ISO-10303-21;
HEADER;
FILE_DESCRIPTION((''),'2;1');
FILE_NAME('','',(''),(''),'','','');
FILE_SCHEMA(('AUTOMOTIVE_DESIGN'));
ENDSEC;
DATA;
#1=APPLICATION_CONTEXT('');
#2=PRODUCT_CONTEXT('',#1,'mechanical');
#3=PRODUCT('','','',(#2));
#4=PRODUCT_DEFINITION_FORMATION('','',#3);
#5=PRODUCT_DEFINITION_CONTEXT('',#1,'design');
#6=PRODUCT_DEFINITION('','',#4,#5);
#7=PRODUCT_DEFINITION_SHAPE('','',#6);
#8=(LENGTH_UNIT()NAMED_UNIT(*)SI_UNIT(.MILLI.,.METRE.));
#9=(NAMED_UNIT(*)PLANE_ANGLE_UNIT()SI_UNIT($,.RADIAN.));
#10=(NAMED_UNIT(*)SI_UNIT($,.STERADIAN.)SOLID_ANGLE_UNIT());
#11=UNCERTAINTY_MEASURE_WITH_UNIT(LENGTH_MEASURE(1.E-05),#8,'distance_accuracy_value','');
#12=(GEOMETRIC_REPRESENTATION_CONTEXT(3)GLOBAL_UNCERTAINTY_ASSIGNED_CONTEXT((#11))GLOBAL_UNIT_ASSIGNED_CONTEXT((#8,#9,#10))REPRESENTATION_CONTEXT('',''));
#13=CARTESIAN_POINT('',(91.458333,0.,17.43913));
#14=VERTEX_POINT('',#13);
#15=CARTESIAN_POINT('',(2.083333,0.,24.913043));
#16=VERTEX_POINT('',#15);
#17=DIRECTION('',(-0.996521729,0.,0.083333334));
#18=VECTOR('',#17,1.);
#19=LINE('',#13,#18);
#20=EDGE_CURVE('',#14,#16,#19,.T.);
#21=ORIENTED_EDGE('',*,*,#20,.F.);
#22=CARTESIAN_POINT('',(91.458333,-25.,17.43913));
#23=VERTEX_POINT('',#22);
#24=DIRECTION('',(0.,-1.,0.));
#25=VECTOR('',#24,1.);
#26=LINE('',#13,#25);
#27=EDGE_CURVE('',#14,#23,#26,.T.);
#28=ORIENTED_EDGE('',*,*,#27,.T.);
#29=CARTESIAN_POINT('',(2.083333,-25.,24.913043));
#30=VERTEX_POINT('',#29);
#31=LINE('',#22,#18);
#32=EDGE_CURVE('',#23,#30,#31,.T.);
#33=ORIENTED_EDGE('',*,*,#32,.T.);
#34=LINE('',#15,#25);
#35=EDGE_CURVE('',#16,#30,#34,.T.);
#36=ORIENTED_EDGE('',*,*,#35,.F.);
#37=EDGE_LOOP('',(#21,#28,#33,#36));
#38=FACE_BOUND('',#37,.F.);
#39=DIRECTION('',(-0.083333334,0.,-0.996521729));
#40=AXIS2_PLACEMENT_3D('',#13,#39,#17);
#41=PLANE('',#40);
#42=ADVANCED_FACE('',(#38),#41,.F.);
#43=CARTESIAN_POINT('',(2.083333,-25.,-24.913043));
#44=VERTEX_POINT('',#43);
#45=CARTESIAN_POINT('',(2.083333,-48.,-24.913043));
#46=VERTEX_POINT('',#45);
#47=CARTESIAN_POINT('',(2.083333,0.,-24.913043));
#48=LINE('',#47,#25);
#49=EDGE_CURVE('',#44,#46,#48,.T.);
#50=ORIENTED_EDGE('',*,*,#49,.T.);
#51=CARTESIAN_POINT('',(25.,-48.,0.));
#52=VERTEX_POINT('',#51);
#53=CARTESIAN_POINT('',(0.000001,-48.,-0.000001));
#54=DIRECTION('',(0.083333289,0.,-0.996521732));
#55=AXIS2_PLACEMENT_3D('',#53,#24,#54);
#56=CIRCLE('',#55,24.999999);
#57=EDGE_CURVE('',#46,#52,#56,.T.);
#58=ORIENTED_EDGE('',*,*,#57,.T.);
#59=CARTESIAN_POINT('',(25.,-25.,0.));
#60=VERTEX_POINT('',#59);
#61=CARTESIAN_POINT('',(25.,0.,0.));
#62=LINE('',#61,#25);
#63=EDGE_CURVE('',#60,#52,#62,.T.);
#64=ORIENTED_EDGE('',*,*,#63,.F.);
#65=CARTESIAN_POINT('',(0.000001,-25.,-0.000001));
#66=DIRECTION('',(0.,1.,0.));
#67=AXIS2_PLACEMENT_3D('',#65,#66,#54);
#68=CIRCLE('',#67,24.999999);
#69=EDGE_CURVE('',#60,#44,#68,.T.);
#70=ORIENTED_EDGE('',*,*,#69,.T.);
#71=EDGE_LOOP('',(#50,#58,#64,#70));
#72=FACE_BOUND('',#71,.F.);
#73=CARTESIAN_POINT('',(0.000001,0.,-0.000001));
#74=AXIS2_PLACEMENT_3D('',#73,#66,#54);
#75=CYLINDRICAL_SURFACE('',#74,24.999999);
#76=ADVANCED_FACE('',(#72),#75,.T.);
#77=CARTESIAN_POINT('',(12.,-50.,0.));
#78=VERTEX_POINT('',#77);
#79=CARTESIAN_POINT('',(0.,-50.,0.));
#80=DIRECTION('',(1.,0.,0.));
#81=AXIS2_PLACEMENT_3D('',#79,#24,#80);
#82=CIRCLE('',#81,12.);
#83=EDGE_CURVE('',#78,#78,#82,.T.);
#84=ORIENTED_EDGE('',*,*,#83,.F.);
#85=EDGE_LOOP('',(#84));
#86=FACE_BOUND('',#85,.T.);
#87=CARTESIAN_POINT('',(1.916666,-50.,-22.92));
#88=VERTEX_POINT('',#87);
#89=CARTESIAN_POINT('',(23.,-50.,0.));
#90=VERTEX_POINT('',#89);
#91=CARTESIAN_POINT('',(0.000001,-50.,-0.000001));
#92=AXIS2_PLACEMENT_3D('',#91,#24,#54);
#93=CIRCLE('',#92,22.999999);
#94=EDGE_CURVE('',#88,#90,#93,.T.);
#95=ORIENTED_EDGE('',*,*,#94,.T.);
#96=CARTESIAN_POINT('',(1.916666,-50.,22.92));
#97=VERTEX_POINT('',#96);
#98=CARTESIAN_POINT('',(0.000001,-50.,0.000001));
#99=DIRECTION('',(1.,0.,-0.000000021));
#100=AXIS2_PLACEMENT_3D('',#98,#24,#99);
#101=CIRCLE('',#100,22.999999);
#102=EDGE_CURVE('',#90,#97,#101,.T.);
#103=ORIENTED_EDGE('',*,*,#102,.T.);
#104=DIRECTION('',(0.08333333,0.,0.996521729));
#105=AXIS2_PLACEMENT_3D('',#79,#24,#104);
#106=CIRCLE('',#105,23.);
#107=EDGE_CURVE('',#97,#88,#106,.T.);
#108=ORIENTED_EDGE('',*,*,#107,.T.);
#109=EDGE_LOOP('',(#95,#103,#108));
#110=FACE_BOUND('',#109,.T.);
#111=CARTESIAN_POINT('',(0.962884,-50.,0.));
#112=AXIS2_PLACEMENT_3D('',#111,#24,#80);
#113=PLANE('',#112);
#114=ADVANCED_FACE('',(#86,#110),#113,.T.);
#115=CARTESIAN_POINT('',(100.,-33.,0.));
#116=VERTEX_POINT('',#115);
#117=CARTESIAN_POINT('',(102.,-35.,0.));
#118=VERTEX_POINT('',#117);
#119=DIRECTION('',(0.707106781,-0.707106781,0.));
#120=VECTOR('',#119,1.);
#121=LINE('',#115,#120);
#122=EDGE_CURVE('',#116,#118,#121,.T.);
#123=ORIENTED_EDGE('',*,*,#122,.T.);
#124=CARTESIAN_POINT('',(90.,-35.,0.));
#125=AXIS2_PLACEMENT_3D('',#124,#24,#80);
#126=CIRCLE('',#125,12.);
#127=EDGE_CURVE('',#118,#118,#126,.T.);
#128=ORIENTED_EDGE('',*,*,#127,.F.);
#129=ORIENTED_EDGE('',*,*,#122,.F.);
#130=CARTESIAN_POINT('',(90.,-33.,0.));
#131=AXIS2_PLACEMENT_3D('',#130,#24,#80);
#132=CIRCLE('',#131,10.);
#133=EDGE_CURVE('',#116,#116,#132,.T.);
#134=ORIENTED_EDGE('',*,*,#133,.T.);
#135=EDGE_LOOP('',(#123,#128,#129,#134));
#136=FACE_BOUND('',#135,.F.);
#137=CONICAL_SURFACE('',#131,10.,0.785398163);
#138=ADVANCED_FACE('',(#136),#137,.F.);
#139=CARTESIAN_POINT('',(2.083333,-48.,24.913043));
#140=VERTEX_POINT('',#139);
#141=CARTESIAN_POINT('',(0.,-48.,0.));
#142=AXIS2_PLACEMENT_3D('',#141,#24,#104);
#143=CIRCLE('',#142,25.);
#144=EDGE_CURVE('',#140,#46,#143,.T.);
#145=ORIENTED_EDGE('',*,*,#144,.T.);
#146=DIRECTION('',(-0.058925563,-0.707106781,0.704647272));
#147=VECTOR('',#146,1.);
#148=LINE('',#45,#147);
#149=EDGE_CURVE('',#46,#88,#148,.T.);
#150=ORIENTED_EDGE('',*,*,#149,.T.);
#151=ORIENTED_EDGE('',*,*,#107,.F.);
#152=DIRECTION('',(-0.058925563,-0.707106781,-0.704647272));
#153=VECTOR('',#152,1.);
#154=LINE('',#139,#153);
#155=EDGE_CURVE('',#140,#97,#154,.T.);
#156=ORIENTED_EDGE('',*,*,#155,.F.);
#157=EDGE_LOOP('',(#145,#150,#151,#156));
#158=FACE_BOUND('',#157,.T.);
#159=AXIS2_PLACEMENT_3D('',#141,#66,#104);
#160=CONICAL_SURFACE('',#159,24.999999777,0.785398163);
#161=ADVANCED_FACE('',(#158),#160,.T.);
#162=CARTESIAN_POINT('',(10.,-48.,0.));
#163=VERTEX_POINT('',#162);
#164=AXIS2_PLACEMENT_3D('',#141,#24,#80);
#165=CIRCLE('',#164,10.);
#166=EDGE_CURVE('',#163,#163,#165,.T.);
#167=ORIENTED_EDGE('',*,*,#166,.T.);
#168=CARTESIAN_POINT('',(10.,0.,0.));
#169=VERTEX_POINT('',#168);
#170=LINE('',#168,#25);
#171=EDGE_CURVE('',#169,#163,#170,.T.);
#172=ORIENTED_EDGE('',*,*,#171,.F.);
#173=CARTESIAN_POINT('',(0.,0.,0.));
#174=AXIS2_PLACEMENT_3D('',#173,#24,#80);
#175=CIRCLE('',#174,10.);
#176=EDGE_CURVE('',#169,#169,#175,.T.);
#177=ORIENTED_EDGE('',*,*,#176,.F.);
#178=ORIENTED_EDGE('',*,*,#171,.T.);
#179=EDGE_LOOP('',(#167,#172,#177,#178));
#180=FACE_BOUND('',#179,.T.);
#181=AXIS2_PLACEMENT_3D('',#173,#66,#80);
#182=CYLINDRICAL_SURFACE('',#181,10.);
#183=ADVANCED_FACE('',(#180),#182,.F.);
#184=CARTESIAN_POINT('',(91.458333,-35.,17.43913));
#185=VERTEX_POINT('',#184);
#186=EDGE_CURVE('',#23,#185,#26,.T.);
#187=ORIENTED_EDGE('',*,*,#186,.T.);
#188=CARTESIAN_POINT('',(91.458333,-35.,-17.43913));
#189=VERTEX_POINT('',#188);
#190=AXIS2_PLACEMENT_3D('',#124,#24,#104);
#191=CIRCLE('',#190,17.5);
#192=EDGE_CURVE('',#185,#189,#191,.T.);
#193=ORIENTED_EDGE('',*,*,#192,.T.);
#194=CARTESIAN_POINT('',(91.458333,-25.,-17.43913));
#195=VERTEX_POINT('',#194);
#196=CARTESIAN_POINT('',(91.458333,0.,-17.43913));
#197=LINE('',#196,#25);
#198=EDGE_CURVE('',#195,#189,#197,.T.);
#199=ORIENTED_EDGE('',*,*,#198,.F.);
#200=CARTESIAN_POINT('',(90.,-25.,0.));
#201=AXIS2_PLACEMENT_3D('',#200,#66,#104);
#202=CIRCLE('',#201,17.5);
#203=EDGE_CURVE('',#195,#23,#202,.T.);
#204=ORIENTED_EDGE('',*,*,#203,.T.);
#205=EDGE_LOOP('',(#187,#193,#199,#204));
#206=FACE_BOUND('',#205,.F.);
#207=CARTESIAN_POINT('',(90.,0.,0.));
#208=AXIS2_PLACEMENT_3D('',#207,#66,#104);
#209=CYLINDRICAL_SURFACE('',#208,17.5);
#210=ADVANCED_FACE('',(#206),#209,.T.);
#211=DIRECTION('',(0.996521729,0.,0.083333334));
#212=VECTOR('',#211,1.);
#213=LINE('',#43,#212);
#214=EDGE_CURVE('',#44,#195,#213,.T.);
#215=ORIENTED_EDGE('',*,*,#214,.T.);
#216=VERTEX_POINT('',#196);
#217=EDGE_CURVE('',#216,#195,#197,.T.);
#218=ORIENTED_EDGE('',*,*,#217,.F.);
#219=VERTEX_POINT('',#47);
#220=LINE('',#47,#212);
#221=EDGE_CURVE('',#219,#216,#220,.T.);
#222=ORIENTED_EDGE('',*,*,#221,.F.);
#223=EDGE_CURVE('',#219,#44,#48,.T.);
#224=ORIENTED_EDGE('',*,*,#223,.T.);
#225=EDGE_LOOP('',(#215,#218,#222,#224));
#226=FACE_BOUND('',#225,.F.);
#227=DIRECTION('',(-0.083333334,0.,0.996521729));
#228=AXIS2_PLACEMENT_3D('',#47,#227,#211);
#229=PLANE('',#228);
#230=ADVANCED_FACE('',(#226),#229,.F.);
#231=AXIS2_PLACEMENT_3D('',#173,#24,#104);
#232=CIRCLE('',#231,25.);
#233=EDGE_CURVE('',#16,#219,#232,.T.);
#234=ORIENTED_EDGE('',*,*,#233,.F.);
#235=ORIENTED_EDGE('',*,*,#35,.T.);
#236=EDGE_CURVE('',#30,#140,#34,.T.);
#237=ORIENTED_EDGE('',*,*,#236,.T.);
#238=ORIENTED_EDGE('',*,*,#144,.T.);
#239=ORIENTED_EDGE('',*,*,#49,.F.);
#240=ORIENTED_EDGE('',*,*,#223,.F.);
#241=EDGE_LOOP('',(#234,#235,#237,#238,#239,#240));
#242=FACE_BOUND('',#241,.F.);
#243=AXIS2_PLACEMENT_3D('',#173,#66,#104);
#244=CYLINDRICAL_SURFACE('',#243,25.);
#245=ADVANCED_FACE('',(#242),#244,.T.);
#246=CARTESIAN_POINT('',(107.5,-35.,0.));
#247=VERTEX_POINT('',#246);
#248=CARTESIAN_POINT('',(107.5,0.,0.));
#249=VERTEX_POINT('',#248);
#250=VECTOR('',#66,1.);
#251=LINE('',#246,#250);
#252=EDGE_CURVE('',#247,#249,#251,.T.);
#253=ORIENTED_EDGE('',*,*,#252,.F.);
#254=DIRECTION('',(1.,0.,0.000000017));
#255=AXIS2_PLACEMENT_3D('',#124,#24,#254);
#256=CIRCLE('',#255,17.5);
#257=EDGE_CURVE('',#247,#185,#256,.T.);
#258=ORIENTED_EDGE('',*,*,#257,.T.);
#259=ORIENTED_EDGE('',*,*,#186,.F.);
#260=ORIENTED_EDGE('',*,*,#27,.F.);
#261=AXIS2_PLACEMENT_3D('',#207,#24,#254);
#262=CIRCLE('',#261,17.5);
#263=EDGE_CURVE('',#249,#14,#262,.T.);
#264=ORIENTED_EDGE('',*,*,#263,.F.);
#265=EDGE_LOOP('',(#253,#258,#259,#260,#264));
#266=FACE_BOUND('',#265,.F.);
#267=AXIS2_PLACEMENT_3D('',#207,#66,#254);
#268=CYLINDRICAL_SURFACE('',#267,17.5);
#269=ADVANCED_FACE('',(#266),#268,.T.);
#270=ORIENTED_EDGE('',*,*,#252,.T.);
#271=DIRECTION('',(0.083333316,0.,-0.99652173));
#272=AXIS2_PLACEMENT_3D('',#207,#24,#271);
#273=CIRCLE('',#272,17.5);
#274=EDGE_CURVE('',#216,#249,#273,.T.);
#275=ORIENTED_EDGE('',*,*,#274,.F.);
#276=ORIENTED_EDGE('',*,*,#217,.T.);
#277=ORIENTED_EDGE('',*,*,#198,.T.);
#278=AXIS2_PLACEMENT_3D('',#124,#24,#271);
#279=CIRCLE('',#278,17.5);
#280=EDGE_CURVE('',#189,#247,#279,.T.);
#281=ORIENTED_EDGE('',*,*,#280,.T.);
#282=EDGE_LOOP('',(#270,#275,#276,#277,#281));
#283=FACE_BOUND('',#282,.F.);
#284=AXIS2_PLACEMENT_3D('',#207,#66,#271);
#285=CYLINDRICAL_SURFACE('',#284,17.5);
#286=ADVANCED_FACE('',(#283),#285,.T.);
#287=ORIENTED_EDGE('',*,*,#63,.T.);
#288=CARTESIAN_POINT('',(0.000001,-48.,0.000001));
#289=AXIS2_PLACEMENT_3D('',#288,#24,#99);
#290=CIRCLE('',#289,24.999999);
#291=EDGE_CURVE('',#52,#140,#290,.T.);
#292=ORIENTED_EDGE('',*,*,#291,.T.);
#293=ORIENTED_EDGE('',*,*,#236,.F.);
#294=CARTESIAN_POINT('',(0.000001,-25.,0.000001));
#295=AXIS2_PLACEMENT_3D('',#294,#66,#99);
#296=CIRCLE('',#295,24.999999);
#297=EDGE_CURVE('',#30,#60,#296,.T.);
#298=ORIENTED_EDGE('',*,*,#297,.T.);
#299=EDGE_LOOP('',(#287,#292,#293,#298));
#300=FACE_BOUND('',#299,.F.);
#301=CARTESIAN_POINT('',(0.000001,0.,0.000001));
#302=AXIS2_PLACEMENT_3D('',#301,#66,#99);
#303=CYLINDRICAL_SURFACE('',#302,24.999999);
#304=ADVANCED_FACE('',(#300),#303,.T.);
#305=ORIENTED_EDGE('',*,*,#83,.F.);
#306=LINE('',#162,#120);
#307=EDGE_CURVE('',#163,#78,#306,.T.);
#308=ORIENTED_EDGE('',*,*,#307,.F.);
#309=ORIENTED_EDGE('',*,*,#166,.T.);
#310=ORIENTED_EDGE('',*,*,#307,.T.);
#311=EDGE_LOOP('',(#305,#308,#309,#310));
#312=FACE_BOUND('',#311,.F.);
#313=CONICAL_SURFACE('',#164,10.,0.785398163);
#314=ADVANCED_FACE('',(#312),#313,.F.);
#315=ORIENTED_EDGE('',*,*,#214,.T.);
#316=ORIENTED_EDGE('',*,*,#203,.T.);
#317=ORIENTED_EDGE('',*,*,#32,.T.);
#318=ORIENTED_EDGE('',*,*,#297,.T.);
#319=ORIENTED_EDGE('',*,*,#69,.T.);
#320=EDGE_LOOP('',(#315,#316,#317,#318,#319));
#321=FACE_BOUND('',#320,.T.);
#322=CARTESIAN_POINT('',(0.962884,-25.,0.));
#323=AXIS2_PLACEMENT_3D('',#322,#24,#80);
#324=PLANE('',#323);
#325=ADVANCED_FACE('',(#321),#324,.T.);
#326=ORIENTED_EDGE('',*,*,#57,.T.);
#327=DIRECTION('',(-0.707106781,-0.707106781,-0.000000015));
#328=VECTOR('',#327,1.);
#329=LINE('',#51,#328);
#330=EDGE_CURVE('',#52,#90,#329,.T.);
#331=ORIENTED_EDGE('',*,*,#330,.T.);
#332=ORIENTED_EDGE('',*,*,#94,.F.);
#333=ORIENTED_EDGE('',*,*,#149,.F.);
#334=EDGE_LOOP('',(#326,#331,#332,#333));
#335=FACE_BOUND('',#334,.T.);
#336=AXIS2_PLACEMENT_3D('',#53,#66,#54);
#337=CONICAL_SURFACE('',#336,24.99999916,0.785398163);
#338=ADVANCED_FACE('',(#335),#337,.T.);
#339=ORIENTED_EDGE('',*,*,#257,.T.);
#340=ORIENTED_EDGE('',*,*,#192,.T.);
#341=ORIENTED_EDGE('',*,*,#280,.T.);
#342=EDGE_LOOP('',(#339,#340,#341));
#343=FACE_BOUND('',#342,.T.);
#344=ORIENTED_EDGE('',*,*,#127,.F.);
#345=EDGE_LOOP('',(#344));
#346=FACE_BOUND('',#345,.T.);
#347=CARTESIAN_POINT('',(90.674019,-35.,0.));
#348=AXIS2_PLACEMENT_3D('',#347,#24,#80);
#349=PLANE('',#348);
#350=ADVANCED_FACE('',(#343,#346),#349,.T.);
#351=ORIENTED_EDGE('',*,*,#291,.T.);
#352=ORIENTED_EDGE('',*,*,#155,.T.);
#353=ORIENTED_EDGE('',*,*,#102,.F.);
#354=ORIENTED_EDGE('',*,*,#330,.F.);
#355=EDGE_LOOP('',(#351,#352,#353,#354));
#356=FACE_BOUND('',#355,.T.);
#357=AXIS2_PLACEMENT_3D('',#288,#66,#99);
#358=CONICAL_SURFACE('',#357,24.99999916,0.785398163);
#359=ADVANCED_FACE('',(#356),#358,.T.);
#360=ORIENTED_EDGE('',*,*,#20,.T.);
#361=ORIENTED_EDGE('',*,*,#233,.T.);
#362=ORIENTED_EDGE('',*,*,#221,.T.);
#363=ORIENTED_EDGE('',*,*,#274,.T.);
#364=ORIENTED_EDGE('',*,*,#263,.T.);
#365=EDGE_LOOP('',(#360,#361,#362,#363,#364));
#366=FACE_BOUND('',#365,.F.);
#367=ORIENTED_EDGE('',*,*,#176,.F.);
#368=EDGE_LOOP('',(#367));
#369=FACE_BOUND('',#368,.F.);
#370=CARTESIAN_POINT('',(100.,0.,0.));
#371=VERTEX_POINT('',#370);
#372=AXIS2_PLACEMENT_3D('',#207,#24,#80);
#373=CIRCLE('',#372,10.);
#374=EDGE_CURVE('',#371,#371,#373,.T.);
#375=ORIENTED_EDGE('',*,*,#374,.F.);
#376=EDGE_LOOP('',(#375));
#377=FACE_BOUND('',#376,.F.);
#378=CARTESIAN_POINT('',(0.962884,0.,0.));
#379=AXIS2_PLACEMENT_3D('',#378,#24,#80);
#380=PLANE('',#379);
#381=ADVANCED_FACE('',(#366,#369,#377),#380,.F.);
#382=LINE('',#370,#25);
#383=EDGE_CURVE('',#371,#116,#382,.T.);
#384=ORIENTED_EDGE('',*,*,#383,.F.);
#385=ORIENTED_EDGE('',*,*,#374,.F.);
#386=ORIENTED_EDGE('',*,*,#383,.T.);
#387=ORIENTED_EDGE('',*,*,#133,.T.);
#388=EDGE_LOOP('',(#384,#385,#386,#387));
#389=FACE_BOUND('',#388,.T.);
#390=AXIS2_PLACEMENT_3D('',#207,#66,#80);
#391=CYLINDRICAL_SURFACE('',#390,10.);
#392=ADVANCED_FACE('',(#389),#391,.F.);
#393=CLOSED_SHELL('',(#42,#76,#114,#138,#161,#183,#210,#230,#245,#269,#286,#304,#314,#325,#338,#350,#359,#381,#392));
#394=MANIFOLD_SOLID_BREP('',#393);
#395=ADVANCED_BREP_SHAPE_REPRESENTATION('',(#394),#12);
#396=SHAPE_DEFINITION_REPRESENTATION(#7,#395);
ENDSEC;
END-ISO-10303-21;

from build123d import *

# Parameters (mm, degrees)
F0_R     = 10
F1_DEPTH = 25
F2_DEPTH = 50
F3_SIZE  = 2
F4_DEPTH = 35
F5_SIZE  = 2


with BuildPart() as f1:
    # F0 (on Front) → F1 (new body)
    with BuildSketch(Plane.XZ):
        with BuildLine():
            ThreePointArc((2.083333, -24.913043), (18.399502, -16.92508), (25, 0))
            ThreePointArc((25, 0), (18.399502, 16.92508), (2.083333, 24.913043))
            ThreePointArc((2.083333, 24.913043), (-25, 0), (2.083333, -24.913043))
        make_face()
        Circle(F0_R, mode=Mode.SUBTRACT)
        with BuildLine():
            ThreePointArc((2.083333, 24.913043), (18.399502, 16.92508), (25, 0))
            ThreePointArc((25, 0), (18.399502, -16.92508), (2.083333, -24.913043))
            Line((2.083333, -24.913043), (91.458333, -17.43913))
            ThreePointArc((91.458333, -17.43913), (72.5, 0), (91.458333, 17.43913))
            Line((91.458333, 17.43913), (2.083333, 24.913043))
        make_face()
        with BuildLine():
            ThreePointArc((107.5, 0), (102.879651, 11.847556), (91.458333, 17.43913))
            ThreePointArc((91.458333, 17.43913), (72.5, 0), (91.458333, -17.43913))
            ThreePointArc((91.458333, -17.43913), (102.879651, -11.847556), (107.5, 0))
        make_face()
        with Locations((90, 0)):
            Circle(F0_R, mode=Mode.SUBTRACT)
    extrude(amount=F1_DEPTH)

    # F0 (on Front) → F2 (join)
    with BuildSketch(Plane.XZ):
        with BuildLine():
            ThreePointArc((2.083333, -24.913043), (18.399502, -16.92508), (25, 0))
            ThreePointArc((25, 0), (18.399502, 16.92508), (2.083333, 24.913043))
            ThreePointArc((2.083333, 24.913043), (-25, 0), (2.083333, -24.913043))
        make_face()
        Circle(F0_R, mode=Mode.SUBTRACT)
    extrude(amount=F2_DEPTH)

    # F3
    f3_edges = [f1.edges().sort_by_distance(p)[0] for p in [
        (-2.083333, -50, 24.913043),
        (-10, -50, 0),
        (80, -25, 0),
    ]]
    chamfer(f3_edges, length=F3_SIZE)

    # F0 (on Front) → F4 (join)
    with BuildSketch(Plane.XZ):
        with BuildLine():
            ThreePointArc((107.5, 0), (102.879651, 11.847556), (91.458333, 17.43913))
            ThreePointArc((91.458333, 17.43913), (72.5, 0), (91.458333, -17.43913))
            ThreePointArc((91.458333, -17.43913), (102.879651, -11.847556), (107.5, 0))
        make_face()
        with Locations((90, 0)):
            Circle(F0_R, mode=Mode.SUBTRACT)
    extrude(amount=F4_DEPTH)

    # F5
    f5_edges = [f1.edges().sort_by_distance(p)[0] for p in [
        (80, -35, 0),
    ]]
    chamfer(f5_edges, length=F5_SIZE)


solid = f1.part
